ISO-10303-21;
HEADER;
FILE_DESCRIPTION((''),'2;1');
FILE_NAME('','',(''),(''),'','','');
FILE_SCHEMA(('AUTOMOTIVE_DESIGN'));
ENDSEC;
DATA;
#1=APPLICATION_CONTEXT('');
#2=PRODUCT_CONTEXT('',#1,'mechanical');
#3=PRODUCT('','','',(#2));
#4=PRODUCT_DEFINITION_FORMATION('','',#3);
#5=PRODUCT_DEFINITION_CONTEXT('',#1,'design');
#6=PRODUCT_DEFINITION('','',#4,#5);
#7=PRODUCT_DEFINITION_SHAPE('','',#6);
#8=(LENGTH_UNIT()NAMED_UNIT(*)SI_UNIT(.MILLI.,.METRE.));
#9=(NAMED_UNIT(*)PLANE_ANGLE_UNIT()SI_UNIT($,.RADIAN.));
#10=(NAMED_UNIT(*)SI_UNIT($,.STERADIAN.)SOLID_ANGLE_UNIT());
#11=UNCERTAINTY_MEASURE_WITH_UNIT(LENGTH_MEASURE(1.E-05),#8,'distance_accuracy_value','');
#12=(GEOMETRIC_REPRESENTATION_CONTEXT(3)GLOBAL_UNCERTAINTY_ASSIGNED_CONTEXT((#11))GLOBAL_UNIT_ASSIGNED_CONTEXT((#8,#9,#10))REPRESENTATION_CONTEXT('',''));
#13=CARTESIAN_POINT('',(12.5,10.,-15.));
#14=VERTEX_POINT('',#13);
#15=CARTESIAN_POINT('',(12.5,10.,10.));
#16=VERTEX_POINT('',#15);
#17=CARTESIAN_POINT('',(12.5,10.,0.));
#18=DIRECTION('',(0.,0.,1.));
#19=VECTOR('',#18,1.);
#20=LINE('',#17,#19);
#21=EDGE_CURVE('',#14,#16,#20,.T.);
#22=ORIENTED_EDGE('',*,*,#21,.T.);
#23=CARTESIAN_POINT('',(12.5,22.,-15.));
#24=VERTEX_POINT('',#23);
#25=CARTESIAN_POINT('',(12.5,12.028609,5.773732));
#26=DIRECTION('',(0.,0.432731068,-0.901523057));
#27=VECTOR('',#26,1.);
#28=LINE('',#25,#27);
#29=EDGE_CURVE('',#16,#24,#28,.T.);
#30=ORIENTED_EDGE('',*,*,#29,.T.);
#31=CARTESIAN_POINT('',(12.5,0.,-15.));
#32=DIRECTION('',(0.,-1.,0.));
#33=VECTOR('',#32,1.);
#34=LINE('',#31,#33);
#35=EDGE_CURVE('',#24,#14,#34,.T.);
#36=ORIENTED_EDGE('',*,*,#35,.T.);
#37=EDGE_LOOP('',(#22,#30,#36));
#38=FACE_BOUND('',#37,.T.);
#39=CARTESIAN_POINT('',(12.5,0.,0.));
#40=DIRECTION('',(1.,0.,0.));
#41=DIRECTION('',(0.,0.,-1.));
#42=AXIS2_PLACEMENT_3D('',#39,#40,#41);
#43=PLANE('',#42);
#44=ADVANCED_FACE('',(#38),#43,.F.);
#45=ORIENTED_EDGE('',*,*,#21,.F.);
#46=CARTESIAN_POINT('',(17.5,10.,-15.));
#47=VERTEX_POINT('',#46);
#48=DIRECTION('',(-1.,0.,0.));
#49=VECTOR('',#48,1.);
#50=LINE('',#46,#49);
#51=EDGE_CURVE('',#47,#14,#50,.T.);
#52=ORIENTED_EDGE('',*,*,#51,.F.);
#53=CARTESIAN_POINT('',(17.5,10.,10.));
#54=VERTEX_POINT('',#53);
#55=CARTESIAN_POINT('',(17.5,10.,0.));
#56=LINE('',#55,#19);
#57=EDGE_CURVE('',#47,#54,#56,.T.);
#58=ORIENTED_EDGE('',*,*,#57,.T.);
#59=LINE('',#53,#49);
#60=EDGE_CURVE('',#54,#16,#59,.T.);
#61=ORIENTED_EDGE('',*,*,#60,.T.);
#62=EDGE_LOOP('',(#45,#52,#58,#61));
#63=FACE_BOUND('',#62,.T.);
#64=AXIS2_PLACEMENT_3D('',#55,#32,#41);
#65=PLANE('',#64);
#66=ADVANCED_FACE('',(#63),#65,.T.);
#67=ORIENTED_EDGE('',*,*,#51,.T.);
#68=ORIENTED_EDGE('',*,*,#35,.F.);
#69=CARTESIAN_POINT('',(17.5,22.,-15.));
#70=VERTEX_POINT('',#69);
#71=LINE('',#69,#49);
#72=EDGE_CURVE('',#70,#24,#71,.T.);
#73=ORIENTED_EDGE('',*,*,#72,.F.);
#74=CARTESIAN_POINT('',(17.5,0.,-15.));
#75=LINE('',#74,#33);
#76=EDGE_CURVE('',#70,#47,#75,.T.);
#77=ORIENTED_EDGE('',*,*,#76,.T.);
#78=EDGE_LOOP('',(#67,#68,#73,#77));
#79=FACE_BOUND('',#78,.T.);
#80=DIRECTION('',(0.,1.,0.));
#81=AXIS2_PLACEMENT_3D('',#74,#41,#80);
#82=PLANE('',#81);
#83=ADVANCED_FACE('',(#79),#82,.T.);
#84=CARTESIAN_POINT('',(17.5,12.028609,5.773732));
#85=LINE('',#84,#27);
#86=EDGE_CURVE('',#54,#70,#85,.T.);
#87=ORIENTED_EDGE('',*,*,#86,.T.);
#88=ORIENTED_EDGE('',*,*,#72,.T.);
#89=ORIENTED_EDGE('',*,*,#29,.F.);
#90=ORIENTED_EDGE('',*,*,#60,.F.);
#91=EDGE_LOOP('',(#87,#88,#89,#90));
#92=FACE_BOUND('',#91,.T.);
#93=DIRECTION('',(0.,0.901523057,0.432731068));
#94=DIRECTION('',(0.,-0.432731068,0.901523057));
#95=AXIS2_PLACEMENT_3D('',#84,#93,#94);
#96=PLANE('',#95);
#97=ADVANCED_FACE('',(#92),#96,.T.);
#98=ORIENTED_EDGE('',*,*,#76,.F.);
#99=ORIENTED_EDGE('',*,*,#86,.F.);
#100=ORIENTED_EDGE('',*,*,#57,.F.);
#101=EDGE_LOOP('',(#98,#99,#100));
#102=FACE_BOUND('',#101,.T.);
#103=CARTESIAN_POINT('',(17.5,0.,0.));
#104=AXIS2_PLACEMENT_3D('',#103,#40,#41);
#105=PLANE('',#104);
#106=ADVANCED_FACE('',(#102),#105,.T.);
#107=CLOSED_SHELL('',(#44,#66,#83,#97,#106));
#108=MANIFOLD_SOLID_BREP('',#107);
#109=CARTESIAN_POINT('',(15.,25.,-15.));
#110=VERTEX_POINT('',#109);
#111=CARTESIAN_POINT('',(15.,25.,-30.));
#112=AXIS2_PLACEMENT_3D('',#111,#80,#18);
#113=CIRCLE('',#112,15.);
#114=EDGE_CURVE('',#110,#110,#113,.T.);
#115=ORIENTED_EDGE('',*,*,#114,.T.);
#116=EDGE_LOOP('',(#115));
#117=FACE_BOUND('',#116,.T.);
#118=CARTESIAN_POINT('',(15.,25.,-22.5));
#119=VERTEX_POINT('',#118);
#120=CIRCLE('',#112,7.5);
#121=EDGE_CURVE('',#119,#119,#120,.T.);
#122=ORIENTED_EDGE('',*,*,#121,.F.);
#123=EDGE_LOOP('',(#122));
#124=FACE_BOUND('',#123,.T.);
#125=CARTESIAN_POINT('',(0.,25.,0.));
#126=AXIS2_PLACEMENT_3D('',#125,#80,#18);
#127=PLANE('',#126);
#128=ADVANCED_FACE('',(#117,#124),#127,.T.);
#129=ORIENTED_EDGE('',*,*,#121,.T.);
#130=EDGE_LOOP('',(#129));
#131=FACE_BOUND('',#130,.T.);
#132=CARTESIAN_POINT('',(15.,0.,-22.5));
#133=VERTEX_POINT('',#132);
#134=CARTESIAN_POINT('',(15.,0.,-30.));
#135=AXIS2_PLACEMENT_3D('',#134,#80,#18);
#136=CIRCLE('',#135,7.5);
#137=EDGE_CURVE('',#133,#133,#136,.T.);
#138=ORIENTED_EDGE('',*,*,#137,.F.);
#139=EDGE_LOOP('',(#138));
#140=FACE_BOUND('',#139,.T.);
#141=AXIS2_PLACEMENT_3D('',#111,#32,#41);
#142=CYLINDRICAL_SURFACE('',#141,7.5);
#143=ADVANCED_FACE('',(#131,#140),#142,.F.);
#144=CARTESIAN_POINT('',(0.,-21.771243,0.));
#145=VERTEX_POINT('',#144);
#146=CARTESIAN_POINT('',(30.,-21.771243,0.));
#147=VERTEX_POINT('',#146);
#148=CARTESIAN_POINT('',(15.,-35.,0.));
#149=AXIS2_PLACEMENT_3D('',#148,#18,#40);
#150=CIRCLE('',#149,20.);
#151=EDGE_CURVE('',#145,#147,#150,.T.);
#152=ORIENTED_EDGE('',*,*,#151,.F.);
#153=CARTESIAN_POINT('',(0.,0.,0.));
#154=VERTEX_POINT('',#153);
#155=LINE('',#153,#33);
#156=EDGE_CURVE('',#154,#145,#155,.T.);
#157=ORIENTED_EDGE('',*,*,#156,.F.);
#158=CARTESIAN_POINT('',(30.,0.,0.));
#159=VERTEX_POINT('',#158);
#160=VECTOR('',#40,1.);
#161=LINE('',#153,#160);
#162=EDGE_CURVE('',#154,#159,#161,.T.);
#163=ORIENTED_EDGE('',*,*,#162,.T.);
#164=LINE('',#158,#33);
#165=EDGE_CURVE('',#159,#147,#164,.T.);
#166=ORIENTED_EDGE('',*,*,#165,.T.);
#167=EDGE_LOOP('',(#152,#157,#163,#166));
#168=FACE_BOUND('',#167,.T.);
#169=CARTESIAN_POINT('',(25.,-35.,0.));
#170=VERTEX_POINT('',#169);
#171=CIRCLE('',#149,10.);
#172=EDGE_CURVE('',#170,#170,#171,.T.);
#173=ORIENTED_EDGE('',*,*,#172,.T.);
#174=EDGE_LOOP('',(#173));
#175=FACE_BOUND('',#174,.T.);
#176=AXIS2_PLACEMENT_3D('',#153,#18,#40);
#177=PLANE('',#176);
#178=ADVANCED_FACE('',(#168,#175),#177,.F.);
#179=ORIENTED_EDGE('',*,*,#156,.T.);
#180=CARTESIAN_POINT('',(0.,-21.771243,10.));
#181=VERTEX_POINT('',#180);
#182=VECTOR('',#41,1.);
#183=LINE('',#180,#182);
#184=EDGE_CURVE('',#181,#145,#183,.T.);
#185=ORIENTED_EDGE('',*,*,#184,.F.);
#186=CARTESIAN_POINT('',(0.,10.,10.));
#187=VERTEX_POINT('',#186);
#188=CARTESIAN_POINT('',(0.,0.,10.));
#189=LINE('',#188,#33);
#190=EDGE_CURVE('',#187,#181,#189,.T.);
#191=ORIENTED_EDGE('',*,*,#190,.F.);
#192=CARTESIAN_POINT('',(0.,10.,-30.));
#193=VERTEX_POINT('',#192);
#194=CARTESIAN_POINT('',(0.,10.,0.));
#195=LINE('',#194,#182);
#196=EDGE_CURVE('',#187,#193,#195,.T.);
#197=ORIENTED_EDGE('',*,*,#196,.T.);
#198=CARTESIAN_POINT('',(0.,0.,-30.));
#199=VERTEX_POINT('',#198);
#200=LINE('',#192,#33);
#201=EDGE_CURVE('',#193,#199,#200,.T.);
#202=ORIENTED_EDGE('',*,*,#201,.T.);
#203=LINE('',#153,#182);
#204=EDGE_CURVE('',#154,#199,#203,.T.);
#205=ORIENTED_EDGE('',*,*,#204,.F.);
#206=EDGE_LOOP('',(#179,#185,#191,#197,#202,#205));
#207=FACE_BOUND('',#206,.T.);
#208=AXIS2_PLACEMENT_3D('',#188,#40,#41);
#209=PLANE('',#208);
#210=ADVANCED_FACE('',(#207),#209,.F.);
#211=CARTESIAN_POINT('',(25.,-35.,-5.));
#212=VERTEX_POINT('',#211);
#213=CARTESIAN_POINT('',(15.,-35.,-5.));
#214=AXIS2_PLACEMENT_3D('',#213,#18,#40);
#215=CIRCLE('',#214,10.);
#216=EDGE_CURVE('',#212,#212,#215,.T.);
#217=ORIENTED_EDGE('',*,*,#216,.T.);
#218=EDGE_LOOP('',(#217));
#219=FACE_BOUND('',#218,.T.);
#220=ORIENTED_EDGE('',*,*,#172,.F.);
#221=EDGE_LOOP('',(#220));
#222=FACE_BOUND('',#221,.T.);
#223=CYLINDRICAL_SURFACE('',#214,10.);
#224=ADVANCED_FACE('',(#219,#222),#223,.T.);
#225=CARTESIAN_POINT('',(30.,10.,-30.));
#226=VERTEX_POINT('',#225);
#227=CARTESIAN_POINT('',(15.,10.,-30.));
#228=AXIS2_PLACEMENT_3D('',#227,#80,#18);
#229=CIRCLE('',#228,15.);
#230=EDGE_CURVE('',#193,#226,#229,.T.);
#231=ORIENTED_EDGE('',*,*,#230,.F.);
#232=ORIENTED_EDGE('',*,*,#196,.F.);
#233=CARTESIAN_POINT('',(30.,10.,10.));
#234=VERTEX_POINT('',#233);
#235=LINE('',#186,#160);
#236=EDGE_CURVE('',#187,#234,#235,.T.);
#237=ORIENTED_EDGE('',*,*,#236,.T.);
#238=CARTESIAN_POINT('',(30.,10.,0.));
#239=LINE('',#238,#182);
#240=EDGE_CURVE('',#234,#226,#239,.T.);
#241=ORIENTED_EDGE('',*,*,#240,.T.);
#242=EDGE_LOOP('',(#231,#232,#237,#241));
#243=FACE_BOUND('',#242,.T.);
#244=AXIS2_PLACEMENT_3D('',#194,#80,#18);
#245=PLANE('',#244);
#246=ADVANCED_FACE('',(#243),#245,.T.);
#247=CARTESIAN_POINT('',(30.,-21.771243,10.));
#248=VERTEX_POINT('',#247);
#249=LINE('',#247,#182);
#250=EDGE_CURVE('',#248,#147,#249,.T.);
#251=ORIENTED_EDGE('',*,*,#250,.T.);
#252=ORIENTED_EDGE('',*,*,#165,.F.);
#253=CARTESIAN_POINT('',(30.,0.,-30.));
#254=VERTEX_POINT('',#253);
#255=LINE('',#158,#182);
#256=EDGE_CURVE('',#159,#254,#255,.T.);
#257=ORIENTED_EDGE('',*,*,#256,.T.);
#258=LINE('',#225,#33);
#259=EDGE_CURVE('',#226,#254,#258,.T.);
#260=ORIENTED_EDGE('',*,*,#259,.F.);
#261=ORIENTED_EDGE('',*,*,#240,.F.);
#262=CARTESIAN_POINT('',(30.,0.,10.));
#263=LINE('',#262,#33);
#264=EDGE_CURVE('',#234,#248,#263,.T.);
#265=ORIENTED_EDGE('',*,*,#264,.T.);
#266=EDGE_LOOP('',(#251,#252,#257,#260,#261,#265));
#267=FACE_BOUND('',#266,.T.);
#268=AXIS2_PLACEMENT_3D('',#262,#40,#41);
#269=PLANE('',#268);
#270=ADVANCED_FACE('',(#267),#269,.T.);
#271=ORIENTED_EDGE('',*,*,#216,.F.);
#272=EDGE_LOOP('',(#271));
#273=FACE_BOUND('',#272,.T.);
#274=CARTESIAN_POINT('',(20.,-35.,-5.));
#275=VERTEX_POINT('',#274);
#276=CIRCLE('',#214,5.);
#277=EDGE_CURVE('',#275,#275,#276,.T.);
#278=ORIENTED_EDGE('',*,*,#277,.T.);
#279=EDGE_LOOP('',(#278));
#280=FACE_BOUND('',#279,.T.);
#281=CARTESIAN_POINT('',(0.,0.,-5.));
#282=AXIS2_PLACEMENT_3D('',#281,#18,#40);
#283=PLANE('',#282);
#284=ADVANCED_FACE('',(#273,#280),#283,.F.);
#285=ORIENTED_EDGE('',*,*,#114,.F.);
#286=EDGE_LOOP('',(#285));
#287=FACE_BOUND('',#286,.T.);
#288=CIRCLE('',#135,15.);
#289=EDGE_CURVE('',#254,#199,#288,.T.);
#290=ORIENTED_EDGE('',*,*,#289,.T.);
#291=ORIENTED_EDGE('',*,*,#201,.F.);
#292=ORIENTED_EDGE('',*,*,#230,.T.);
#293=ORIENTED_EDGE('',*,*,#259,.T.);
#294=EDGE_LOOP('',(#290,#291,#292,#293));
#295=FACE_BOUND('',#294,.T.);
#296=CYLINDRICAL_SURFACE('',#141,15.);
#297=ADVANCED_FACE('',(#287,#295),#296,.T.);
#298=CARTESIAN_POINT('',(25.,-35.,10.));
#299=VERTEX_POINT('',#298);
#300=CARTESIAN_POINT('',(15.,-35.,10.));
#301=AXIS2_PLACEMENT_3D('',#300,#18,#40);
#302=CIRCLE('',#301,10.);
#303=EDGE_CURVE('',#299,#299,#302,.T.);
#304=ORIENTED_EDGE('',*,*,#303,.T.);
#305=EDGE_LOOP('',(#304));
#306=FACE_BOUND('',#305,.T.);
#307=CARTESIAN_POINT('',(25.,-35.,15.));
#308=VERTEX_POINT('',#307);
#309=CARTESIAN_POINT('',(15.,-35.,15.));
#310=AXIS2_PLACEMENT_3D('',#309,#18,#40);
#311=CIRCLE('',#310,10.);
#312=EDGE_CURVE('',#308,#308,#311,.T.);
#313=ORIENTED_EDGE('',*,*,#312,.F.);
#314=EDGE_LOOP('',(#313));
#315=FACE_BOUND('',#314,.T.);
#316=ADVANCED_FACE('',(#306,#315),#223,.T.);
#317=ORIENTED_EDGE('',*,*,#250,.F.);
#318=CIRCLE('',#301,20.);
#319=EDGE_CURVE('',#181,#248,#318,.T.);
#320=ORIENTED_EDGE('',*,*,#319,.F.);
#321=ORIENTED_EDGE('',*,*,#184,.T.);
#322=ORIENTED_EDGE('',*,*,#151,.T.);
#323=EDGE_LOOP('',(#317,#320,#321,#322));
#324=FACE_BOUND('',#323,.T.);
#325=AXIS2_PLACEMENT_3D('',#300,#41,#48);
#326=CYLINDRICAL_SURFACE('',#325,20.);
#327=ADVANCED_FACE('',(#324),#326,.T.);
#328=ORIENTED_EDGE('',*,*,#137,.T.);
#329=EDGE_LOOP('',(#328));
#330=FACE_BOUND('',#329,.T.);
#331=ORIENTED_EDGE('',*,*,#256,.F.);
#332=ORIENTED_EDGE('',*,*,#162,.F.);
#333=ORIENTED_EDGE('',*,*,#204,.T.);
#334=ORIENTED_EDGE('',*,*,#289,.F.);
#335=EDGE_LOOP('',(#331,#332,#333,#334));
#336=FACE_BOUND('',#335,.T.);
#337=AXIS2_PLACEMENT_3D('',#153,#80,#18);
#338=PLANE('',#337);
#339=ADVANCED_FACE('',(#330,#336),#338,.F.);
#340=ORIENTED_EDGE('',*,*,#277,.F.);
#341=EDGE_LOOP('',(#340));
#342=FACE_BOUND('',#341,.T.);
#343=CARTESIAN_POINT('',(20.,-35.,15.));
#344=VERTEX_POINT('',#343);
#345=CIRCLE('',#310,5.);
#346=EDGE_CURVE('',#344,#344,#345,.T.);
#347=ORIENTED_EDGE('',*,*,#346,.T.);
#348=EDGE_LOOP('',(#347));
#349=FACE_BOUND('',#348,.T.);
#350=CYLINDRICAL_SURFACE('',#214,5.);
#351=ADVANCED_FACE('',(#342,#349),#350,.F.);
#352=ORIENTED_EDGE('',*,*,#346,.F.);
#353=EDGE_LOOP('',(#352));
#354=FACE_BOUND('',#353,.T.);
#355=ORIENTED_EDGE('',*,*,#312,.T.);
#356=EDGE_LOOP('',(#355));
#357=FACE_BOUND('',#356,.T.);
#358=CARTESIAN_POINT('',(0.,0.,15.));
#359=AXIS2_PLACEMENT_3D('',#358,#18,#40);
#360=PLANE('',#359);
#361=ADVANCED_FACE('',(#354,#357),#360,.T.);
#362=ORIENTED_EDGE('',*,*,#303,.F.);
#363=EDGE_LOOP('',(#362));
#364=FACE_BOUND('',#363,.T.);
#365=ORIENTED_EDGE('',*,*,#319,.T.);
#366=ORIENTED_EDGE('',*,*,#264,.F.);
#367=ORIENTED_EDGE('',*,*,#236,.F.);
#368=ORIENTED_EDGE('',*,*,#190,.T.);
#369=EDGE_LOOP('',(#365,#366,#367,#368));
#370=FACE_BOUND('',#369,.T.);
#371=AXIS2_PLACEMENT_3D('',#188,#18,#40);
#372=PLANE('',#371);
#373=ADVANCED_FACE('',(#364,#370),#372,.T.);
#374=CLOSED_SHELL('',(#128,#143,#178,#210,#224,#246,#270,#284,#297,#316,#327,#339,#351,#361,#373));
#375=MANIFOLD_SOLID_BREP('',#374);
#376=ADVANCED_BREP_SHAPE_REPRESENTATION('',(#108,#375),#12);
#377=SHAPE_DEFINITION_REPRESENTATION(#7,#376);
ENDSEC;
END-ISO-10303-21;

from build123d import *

# Parameters (mm, degrees)
SKETCH_1_R           = 10
EXTRUDE_1_DEPTH      = 10
EXTRUDE_2_DEPTH      = 15
EXTRUDE_2_DEPTH_BACK = 5
SKETCH_1_3_R         = 10
SKETCH_1_3_R_2       = 5
EXTRUDE_3_DEPTH      = 10
SKETCH_2_3_R         = 7.5
EXTRUDE_4_DEPTH      = 25
EXTRUDE_6_DEPTH      = 2.5


with BuildPart() as part:
    # 草图1 → 凸台-拉伸1 (new body)
    with BuildSketch(Plane.XY):
        with BuildLine():
            Line((0, 0), (0, -21.771243445))
            ThreePointArc((0, -21.771243445), (15, -55), (30, -21.771243445))
            Line((30, -21.771243445), (30, 0))
            Line((30, 0), (0, 0))
        make_face()
        with Locations((15, -35)):
            Circle(SKETCH_1_R, mode=Mode.SUBTRACT)
    extrude(amount=EXTRUDE_1_DEPTH)

    # 草图1<3> → 凸台-拉伸2 (add, two sides: drawn at the far end of the back side and taken through both)
    with BuildSketch(Plane.XY.offset(-EXTRUDE_2_DEPTH_BACK)):
        with Locations((15, -35)):
            Circle(SKETCH_1_3_R)
        with Locations((15, -35)):
            Circle(SKETCH_1_3_R_2, mode=Mode.SUBTRACT)
    extrude(amount=EXTRUDE_2_DEPTH + EXTRUDE_2_DEPTH_BACK)

    # 草图2 → 凸台-拉伸3 (add)
    with BuildSketch(Plane(origin=(0, 0, 0), x_dir=(1, 0, 0), z_dir=(0, 1, 0))):
        with BuildLine():
            Line((0, -10), (30, -10))
            Line((30, -10), (30, 30))
            ThreePointArc((30, 30), (15, 15), (0, 30))
            Line((0, 30), (0, -10))
        make_face()
    extrude(amount=EXTRUDE_3_DEPTH)

    # 草图2<3> → 凸台-拉伸4 (add)
    with BuildSketch(Plane(origin=(0, 0, 0), x_dir=(1, 0, 0), z_dir=(0, 1, 0))):
        with BuildLine():
            ThreePointArc((0, 30), (15, 15), (30, 30))
            ThreePointArc((30, 30), (15, 45), (0, 30))
        make_face()
        with Locations((15, 30)):
            Circle(SKETCH_2_3_R, mode=Mode.SUBTRACT)
    extrude(amount=EXTRUDE_4_DEPTH)


with BuildPart() as body_2:
    # 草图3 → 凸台-拉伸6 (new, symmetric)
    with BuildSketch(Plane(origin=(15, 0, 0), x_dir=(0, 0, -1), z_dir=(1, 0, 0))):
        Polygon((15, 10), (15, 22), (-10, 10), align=None)
    extrude(amount=EXTRUDE_6_DEPTH, both=True)


solid = Compound([part.part, body_2.part])
